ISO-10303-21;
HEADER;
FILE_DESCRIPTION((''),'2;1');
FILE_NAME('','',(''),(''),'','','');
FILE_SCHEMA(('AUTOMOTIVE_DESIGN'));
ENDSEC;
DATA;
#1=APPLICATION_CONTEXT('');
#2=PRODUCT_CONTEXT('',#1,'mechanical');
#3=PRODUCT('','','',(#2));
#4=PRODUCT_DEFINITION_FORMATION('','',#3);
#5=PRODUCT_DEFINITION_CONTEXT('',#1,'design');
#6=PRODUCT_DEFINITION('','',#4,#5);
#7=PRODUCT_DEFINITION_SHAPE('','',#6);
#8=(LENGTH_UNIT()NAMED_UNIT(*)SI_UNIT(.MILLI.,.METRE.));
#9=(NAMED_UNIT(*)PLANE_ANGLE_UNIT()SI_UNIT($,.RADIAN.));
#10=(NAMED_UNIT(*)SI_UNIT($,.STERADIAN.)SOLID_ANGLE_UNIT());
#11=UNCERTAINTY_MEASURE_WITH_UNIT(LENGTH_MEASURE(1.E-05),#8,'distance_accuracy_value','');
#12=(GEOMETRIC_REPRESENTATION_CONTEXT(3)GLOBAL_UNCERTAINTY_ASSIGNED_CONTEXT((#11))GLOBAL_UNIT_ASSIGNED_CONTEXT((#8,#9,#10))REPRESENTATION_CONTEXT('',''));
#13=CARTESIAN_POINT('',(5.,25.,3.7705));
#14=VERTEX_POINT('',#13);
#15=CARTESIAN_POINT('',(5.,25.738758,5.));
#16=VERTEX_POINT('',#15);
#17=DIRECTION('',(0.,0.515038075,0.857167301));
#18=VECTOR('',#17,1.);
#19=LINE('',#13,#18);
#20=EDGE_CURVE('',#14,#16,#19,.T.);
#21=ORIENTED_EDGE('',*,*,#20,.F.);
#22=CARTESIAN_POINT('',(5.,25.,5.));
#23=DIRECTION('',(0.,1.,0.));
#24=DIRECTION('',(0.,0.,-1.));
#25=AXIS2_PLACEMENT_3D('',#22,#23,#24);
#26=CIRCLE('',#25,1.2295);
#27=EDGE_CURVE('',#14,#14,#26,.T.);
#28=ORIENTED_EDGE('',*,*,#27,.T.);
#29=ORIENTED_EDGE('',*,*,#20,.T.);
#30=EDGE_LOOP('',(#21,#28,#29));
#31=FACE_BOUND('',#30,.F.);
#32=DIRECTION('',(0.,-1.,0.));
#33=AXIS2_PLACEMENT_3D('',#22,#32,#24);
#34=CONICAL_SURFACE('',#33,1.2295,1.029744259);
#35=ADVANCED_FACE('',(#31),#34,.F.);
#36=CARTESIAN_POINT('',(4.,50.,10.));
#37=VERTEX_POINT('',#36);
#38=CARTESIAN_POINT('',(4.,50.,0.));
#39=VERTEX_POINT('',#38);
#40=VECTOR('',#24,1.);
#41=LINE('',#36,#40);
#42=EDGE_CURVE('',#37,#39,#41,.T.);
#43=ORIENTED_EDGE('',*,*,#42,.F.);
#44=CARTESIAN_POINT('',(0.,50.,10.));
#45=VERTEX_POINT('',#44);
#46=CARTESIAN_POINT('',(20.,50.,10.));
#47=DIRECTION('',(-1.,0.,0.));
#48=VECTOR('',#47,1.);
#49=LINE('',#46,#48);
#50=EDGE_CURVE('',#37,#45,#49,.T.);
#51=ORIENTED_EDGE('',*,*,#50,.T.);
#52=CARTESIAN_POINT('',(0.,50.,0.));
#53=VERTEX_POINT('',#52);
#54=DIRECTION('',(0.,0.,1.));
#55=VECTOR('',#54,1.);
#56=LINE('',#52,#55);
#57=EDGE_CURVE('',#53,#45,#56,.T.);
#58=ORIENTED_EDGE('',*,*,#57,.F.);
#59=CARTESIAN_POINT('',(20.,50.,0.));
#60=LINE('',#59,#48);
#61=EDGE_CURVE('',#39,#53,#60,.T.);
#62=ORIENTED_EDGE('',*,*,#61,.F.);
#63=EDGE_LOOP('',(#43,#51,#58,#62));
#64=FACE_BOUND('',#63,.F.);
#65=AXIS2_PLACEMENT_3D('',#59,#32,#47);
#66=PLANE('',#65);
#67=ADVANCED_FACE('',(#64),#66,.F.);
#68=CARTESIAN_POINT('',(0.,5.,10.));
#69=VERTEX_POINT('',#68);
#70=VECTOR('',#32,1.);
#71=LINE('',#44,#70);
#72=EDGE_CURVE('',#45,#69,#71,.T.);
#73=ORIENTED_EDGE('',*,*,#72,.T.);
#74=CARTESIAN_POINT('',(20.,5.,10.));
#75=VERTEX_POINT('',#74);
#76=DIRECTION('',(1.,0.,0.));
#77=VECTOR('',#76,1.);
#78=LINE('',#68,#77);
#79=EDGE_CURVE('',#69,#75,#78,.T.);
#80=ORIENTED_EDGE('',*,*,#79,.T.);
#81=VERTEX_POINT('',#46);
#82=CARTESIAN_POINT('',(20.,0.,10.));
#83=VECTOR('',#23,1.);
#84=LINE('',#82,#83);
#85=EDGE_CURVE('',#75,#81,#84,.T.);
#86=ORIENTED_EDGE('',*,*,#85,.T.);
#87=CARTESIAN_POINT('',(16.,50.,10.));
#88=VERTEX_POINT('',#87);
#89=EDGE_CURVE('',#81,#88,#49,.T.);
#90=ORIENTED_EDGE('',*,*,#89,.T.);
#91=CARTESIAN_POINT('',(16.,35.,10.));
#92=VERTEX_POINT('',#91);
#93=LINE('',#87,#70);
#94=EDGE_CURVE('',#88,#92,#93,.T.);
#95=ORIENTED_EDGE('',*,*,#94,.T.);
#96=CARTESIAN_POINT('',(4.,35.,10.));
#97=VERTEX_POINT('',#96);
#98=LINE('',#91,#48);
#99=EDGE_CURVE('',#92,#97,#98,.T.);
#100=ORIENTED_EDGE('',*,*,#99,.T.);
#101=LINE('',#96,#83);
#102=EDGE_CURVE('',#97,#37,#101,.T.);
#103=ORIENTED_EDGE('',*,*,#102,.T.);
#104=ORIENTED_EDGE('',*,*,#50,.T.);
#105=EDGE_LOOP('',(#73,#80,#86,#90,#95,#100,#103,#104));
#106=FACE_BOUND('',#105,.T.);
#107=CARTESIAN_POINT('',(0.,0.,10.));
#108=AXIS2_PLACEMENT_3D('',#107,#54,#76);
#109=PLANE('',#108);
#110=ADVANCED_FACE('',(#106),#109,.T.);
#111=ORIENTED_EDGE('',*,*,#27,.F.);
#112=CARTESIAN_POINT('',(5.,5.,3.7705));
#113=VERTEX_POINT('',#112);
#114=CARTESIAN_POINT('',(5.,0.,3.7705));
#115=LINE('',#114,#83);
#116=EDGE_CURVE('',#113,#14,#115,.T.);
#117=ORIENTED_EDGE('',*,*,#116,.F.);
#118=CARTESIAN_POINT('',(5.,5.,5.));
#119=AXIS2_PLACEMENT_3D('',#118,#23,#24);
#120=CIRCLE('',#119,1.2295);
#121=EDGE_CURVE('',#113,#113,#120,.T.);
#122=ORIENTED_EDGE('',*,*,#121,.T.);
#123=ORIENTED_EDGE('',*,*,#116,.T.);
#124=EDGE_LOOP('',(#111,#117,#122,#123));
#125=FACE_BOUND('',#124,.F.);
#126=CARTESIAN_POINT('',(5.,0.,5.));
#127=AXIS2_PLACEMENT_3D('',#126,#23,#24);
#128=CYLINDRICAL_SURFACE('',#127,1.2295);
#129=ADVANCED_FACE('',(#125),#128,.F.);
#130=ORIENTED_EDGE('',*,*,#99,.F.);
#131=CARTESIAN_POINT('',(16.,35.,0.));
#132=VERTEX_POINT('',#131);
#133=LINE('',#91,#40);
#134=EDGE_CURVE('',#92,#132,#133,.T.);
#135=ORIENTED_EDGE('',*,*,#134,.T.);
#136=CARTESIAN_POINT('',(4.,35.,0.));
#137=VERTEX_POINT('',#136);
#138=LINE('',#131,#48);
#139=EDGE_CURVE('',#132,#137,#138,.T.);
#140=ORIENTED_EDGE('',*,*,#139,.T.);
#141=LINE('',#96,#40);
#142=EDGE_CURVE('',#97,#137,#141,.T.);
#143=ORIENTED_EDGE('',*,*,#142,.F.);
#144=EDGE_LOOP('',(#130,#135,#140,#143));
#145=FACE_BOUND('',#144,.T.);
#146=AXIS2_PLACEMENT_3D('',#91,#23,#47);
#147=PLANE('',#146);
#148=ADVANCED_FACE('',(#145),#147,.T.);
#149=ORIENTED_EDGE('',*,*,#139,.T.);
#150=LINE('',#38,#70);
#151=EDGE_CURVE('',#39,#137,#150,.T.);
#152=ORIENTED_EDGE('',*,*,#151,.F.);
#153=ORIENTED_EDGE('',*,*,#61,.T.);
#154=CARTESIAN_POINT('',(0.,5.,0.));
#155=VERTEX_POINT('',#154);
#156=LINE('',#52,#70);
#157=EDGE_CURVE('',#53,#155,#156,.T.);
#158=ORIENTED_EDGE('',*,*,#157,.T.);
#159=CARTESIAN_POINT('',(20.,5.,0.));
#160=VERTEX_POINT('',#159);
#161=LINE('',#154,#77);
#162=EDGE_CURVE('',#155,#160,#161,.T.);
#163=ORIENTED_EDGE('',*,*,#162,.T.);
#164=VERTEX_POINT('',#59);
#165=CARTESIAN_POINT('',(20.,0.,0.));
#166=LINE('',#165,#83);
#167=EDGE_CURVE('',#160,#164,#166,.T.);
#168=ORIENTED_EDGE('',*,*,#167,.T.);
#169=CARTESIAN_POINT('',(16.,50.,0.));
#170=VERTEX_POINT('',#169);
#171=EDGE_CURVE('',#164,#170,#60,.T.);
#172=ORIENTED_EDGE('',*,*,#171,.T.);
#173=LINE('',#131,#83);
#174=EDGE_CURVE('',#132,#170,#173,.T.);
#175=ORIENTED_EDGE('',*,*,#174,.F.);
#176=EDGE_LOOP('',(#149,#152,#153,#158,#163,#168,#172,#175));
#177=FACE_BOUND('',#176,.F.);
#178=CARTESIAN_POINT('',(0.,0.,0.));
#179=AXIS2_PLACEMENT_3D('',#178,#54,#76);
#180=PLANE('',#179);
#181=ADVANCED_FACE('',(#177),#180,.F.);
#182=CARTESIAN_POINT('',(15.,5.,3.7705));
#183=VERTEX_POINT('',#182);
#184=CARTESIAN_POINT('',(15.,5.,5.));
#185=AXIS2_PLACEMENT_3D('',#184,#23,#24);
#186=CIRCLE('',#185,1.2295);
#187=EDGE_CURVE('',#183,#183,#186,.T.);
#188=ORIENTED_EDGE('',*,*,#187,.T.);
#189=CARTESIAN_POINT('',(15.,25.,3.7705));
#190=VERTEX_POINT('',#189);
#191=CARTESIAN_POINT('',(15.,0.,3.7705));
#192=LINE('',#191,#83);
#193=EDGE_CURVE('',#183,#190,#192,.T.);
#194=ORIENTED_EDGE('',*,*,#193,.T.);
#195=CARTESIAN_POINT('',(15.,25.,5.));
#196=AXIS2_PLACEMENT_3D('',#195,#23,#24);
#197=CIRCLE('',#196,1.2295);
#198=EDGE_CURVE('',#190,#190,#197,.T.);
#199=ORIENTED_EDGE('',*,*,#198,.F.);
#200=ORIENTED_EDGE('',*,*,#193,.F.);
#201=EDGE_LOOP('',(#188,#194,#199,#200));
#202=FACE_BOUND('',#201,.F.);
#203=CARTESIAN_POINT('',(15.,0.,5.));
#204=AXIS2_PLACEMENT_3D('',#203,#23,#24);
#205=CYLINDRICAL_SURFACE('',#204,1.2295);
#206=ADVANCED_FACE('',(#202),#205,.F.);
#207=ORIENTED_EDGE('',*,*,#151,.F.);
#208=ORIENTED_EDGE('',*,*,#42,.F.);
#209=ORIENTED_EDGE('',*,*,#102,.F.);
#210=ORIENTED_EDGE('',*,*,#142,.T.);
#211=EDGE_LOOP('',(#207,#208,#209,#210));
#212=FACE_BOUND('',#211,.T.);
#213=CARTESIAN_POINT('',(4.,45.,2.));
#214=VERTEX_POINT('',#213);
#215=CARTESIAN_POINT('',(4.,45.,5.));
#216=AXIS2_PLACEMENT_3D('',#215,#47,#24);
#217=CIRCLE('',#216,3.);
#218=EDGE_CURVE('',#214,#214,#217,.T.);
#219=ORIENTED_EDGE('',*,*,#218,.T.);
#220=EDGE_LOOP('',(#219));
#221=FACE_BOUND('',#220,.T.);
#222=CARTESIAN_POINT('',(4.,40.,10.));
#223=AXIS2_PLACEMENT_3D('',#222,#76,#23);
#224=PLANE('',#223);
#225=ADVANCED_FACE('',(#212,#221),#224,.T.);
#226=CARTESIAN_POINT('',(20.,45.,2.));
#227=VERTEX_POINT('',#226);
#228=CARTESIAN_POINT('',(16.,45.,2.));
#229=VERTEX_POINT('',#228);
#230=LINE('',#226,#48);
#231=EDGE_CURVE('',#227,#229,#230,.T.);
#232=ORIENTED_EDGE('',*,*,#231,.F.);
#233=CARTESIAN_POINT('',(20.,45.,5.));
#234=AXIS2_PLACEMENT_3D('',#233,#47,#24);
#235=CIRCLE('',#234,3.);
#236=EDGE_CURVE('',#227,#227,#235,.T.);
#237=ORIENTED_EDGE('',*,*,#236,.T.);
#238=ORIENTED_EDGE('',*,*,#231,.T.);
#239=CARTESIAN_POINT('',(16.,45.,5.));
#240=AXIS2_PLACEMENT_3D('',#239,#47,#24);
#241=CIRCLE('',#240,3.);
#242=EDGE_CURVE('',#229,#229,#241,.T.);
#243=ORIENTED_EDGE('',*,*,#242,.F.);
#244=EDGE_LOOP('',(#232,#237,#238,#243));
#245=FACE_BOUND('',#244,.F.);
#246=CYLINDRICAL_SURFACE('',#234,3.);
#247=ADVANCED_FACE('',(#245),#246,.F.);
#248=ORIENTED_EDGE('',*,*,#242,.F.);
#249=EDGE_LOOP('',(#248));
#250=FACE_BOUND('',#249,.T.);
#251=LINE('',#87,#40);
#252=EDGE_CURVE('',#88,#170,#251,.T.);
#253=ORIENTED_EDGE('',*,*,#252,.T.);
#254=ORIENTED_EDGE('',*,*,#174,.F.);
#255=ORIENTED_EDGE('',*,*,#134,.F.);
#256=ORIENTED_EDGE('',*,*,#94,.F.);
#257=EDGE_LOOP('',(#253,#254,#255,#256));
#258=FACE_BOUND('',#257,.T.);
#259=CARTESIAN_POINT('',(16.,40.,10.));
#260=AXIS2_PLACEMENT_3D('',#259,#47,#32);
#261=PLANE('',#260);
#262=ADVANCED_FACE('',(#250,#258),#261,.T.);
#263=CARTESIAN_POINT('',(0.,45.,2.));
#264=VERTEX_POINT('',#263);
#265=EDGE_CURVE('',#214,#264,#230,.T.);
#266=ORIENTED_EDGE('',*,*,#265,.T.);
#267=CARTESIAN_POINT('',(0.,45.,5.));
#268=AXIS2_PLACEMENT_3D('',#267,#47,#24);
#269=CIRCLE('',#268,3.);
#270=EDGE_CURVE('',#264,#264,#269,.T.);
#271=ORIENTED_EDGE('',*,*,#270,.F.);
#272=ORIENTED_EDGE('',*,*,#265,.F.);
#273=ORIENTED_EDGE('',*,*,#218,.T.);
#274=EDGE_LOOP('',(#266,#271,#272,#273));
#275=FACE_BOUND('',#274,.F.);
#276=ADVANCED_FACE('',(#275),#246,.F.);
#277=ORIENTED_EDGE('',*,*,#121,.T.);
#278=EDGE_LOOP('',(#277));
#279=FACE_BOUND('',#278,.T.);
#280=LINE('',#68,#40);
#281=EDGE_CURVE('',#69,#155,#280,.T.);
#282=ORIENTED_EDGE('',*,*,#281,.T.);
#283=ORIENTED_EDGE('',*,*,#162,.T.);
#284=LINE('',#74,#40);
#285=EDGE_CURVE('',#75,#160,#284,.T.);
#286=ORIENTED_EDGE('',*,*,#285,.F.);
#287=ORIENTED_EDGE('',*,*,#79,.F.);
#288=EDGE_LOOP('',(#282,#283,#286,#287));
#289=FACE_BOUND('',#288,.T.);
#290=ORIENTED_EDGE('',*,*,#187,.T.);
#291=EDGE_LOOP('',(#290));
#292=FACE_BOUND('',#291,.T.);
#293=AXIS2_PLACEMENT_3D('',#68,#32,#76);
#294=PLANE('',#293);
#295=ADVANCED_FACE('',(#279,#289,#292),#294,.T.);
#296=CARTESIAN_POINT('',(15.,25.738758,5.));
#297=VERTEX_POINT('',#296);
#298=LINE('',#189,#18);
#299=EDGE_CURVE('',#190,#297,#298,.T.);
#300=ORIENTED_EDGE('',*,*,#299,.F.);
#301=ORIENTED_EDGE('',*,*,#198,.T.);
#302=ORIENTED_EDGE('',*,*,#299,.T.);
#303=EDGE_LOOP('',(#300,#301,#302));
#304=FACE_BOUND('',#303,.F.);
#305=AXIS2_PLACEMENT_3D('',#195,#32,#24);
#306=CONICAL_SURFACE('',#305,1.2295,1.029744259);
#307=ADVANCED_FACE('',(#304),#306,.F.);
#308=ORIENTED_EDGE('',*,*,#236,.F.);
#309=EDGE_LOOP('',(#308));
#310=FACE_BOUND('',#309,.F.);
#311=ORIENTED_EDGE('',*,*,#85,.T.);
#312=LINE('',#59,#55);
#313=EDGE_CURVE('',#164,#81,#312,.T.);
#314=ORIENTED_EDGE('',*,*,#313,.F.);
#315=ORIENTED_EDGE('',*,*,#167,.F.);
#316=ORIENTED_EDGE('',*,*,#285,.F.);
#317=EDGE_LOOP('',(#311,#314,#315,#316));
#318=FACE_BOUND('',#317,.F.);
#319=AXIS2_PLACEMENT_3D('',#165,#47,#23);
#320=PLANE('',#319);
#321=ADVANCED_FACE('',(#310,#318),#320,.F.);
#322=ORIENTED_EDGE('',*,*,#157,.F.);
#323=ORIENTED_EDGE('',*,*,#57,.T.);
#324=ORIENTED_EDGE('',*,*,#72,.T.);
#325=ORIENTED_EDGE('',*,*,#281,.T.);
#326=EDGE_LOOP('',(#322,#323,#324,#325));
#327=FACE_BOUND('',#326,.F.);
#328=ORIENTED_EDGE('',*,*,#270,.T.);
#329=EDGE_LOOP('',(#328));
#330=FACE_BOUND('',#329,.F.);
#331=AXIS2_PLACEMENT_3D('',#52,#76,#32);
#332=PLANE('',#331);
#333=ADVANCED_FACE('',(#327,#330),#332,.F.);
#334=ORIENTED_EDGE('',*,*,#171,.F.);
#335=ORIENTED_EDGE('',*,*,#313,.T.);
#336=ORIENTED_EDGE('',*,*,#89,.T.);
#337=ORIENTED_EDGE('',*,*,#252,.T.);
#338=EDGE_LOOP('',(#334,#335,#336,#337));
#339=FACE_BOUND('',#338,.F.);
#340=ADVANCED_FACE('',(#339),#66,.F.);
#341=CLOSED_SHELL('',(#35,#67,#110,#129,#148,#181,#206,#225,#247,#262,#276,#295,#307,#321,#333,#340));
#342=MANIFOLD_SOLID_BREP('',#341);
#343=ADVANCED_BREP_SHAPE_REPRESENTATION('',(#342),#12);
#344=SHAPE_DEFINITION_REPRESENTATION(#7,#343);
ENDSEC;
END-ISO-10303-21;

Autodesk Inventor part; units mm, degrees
ref_plane "YZ Plane" through (0, 0, 0) normal (1, 0, 0) x (0, 1, 0)
ref_plane "XZ Plane" through (0, 0, 0) normal (0, 1, 0) x (-1, 0, 0)
ref_plane "XY Plane" through (0, 0, 0) normal (0, 0, 1) x (1, 0, 0)
sketch "スケッチ1" plane through (0, 0, 0) normal (0, 0, 1) x (1, 0, 0)
  line L0 (0, 0) -> (20, 0)
  line L1 (20, 0) -> (20, 50)
  line L2 (20, 50) -> (0, 50)
  line L3 (0, 50) -> (0, 0)
  dimension "d0" = 20
  dimension "d1" = 50
extrude "押し出し1" add sketch "スケッチ1" along normal blind 10
sketch "スケッチ2" plane through (0, 0, 10) normal (0, 0, 1) x (1, 0, 0)
  line L0 (20, 50) -> (0, 50) projected
  line L1 (4, 50) -> (16, 50)
  line L2 (16, 50) -> (16, 40)
  line L3 (16, 40) -> (4, 40)
  line L4 (4, 40) -> (4, 50)
  line L5 (0, 50) -> (0, 0) projected
  dimension "d4" = 12
  dimension "d5" = 4
  dimension "d6" = 10
extrude "押し出し2" cut sketch "スケッチ2" against normal blind 10
sketch "スケッチ3" plane through (20, 0, 0) normal (1, 0, 0) x (0, 0, -1)
  line L0 (0, 50) -> (-10, 50) projected
  line L1 (0, 0) -> (0, 50) projected
  point P0 (-5, 45)
  dimension "d9" = 5
  dimension "d10" = 5
hole "穴1" at (20, 45, 5) direction (-1, 0, 0) diameter 6 end through all
sketch "スケッチ4" plane through (0, 0, 0) normal (0, -1, 0) x (1, 0, 0)
  line L0 (0, 0) -> (0, 10) projected
  line L1 (0, 10) -> (20, 10) projected
  line L2 (0, 0) -> (20, 0) projected
  line L3 (20, 0) -> (20, 10) projected
  point P0 (5, 5)
  point P1 (15, 5)
  dimension "d18" = 5
  dimension "d19" = 5
  dimension "d20" = 5
  dimension "d21" = 5
hole "穴2" at (5, 0, 5) at (15, 0, 5) direction (0, 1, 0) diameter 2.459 depth 25 tip angle 118 thread size "M3x0.5" class "6H" standard "ISO Metric profile"
sketch "スケッチ5" plane through (0, 0, 10) normal (0, 0, 1) x (1, 0, 0)
  line L0 (4, 40) -> (16, 40) projected
  line L1 (4, 40) -> (16, 40)
  line L2 (16, 40) -> (16, 35)
  line L3 (16, 35) -> (4, 35)
  line L4 (4, 35) -> (4, 40)
  point P0 (0, 0)
  dimension "d29" = 5
extrude "押し出し3" cut sketch "スケッチ5" against normal blind 10
sketch "スケッチ6" plane through (0, 0, 10) normal (0, 0, 1) x (1, 0, 0)
  line L0 (0, 50) -> (0, 0) projected
  line L1 (20, 0) -> (20, 50) projected
  line L2 (0, 5) -> (20, 5)
  line L3 (20, 5) -> (20, 0)
  line L4 (20, 0) -> (0, 0)
  line L5 (0, 0) -> (0, 5)
  point P0 (20, 5)
  dimension "d32" = 5
extrude "押し出し4" cut sketch "スケッチ6" against normal blind 10
properties part number "アーム支え"
